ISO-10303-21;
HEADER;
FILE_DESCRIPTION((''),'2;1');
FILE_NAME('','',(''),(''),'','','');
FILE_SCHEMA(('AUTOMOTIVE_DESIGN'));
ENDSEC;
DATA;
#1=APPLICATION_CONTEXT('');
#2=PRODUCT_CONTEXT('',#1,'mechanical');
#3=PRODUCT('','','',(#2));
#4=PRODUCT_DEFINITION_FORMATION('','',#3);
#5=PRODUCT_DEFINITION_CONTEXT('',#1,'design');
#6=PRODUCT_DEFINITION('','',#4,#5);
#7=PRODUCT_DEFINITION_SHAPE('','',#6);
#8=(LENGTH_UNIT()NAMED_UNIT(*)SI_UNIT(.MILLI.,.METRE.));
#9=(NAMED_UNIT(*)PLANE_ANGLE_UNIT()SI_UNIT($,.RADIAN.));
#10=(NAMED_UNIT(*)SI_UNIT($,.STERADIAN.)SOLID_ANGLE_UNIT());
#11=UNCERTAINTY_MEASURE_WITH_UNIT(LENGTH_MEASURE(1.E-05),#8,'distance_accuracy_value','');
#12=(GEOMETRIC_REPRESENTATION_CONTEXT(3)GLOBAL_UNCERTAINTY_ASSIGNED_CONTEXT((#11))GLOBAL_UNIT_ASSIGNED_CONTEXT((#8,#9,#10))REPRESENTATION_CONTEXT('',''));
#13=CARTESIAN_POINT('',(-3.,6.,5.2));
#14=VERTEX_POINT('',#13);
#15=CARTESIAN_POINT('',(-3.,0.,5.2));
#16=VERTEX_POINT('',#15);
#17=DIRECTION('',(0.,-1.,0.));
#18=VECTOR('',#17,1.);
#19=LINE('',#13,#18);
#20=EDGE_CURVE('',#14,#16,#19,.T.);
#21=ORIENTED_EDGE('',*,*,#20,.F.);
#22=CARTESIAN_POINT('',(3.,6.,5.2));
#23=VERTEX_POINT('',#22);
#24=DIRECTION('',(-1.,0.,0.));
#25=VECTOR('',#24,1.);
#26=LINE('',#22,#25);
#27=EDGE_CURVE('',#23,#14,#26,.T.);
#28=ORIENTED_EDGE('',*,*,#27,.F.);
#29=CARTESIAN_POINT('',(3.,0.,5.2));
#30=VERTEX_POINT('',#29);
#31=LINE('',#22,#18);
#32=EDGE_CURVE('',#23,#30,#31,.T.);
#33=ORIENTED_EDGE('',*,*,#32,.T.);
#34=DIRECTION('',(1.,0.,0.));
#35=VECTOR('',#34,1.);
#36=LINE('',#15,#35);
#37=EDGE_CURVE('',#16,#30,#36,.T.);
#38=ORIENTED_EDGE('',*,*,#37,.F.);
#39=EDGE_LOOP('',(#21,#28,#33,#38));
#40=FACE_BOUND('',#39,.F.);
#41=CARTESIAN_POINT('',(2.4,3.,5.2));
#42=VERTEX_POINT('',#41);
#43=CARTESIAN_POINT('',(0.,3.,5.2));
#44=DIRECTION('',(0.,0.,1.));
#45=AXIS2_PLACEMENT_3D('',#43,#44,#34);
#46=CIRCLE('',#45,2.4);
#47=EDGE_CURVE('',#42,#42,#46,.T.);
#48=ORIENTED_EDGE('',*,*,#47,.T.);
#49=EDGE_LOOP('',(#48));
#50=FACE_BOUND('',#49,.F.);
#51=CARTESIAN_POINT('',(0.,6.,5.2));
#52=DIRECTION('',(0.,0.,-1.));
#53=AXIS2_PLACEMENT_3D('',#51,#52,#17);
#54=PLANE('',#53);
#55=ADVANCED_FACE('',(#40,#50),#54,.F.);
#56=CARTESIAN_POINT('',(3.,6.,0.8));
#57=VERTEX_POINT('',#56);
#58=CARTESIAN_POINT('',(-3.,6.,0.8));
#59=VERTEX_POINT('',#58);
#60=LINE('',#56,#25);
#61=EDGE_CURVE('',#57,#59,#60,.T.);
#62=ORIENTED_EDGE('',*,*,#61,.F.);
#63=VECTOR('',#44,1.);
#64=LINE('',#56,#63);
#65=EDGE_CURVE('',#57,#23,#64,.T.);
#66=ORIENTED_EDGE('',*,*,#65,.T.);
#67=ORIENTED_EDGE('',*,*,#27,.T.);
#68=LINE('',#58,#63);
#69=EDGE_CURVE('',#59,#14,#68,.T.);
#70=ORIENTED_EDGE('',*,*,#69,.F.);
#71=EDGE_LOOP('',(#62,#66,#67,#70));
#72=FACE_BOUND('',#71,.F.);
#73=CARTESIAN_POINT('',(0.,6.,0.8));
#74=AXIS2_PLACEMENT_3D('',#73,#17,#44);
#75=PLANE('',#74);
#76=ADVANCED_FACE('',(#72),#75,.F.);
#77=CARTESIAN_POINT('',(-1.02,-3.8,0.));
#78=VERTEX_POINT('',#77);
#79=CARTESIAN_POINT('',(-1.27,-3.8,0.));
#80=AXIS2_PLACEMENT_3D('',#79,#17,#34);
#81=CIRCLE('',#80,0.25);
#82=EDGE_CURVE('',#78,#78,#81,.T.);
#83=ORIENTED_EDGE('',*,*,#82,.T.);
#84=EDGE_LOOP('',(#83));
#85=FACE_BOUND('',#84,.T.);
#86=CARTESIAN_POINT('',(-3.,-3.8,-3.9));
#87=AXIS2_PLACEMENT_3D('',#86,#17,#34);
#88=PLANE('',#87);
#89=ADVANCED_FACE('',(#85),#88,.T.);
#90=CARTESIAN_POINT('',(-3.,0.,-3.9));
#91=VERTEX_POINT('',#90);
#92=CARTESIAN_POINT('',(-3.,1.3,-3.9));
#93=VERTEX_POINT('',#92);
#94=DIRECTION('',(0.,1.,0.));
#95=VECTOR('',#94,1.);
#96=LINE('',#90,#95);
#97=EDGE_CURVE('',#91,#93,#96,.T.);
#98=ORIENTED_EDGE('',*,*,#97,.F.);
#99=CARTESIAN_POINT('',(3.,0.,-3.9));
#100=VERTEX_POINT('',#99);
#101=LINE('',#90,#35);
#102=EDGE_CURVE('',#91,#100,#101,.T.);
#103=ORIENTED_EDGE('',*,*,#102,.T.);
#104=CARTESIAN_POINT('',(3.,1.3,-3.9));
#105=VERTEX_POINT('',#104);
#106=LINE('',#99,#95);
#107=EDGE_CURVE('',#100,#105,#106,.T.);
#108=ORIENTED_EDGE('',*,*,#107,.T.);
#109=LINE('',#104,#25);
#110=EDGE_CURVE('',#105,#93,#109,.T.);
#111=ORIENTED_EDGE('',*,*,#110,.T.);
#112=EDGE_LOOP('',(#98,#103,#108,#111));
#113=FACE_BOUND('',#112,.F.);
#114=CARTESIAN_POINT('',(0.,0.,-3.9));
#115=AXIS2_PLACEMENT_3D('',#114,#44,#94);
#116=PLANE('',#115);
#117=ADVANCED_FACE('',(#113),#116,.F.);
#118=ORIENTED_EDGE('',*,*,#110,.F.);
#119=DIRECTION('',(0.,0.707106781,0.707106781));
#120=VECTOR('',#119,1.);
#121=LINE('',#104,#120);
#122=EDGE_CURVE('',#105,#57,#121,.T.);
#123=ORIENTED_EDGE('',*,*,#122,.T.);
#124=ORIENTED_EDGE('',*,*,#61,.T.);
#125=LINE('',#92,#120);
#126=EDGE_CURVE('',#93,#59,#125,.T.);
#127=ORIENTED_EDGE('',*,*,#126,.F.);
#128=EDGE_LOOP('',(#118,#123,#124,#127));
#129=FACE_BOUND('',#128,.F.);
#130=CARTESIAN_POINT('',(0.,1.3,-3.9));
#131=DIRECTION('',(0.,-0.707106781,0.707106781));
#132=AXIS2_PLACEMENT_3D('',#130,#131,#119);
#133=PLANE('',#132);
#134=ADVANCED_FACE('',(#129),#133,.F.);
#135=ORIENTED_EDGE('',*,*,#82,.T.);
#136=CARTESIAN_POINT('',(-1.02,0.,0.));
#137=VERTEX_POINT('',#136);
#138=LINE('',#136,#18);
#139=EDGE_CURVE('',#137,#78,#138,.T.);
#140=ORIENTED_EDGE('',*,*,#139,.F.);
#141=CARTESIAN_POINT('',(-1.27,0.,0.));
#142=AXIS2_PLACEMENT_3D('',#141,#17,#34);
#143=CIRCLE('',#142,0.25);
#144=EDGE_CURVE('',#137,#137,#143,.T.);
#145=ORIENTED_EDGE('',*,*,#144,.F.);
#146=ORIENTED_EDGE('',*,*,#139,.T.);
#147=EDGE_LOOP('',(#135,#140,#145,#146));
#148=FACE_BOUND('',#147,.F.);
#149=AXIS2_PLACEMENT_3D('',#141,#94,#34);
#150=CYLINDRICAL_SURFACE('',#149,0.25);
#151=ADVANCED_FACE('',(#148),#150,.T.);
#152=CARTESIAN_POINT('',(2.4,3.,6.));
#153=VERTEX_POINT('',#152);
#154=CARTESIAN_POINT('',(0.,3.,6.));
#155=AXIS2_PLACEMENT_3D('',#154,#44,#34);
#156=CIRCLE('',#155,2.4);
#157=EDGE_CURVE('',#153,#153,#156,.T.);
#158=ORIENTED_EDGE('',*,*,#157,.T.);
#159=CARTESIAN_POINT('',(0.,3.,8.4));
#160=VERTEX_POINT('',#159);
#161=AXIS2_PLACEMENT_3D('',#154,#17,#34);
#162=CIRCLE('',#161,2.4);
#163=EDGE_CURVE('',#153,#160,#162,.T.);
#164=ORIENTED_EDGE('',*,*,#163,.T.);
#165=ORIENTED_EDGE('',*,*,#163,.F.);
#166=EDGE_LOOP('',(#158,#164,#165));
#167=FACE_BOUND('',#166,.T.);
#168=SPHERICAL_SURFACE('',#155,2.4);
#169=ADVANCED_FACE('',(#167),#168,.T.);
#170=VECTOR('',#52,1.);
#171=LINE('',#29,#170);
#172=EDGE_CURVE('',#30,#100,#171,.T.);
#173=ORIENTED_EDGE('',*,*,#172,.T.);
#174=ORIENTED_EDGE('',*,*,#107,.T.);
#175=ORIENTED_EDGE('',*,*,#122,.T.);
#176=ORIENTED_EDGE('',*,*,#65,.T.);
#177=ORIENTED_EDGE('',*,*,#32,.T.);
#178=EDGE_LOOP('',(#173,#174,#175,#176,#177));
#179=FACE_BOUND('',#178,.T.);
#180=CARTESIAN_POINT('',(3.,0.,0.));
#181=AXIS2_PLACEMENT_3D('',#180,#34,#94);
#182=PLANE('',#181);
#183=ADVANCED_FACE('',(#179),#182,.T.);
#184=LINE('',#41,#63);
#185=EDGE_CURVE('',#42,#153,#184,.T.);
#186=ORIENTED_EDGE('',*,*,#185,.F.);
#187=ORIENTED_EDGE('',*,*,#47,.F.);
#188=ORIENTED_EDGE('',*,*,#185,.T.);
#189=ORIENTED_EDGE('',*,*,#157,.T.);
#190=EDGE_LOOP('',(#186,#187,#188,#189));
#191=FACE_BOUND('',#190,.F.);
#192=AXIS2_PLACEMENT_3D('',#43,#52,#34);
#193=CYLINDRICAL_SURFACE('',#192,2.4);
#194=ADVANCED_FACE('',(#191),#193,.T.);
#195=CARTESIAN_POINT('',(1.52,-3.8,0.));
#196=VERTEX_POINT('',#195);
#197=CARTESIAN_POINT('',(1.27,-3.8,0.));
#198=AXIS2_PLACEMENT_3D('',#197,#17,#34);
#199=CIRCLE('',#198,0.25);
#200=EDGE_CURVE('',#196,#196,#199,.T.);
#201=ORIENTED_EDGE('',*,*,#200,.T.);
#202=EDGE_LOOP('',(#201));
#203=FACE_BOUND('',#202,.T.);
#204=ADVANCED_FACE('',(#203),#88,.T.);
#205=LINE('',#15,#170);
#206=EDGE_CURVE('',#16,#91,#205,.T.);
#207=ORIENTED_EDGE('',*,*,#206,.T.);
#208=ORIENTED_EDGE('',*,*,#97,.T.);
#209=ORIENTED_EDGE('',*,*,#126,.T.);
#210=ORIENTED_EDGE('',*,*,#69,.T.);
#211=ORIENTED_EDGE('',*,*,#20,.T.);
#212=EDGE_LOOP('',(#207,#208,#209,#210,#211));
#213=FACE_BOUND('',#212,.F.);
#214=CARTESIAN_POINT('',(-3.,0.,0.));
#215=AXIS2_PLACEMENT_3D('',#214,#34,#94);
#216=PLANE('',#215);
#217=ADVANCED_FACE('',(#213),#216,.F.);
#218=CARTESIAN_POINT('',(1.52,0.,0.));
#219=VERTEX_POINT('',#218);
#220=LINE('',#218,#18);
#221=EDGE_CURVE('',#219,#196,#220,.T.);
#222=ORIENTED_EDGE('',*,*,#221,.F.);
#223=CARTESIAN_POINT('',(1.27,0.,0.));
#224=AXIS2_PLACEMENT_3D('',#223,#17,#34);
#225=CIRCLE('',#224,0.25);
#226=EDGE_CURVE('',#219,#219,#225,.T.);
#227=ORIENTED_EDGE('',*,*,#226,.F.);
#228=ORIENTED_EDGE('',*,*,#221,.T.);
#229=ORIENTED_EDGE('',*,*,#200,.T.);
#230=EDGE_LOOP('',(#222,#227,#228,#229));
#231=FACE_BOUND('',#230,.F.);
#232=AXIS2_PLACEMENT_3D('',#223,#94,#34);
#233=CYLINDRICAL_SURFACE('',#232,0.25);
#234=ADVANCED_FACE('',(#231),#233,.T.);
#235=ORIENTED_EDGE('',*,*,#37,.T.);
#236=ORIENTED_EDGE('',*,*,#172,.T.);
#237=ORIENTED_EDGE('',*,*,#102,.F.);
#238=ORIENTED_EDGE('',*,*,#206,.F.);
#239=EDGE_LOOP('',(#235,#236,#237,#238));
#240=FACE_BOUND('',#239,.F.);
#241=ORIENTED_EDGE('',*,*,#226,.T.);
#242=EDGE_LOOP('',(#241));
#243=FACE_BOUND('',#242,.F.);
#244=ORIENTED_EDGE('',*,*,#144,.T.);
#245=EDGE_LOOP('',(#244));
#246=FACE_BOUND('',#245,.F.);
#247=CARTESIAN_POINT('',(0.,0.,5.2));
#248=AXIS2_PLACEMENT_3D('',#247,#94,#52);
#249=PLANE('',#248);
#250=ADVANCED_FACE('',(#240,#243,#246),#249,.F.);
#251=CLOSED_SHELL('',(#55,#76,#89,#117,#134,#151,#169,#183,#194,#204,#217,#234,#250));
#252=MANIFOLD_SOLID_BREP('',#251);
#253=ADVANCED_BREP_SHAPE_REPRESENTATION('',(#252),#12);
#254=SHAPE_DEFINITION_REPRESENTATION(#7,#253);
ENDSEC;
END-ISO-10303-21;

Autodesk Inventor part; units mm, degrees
ref_plane "YZ Plane" through (0, 0, 0) normal (1, 0, 0) x (0, 1, 0)
ref_plane "XZ Plane" through (0, 0, 0) normal (0, 1, 0) x (-1, 0, 0)
ref_plane "XY Plane" through (0, 0, 0) normal (0, 0, 1) x (1, 0, 0)
sketch "Sketch1" plane through (0, 0, 0) normal (1, 0, 0) x (0, 1, 0)
  line L0 (0, 5.2) -> (0, -3.9)
  line L1 (0, -3.9) -> (1.3, -3.9)
  line L2 (1.3, -3.9) -> (6, 0.8)
  line L3 (6, 0.8) -> (6, 5.2)
  line L4 (6, 5.2) -> (0, 5.2)
  point P0 (0, 0)
  dimension "d0" = 9.1
  dimension "d1" = 6
  dimension "d2" = 0
  dimension "d3" = 5.2
  dimension "d4" = 1.3
  dimension "d5" = 45
extrude "Extrusion1" add sketch "Sketch1" along normal mid plane 6
sketch "Sketch2" plane through (-3, 0, 5.2) normal (0, 0, 1) x (1, 0, 0)
  circle A0 centre (3, 3) radius 2.4
  point P0 (3, 0)
  dimension "d8" = 4.8
extrude "Extrusion2" add sketch "Sketch2" along normal blind 3.2
fillet "Fillet1" radius 2.4 1 edges at (-2.4, 3, 8.4)
sketch "Sketch3" plane through (-3, 0, -3.9) normal (0, -1, 0) x (1, 0, 0)
  circle A0 centre (1.73, 3.9) radius 0.25
  circle A1 centre (4.27, 3.9) radius 0.25
  point P0 (3, 3.9)
  dimension "d12" = 0.5
  dimension "d13" = 0.5
  dimension "d14" = 2.54
  dimension "d15" = 1.27
  dimension "d16" = 0
  dimension "d17" = 0
extrude "Extrusion3" add sketch "Sketch3" along normal blind 3.8
equation "\"d15\" = 0.5 * d14"
properties part number "Multicomp-2118128"
